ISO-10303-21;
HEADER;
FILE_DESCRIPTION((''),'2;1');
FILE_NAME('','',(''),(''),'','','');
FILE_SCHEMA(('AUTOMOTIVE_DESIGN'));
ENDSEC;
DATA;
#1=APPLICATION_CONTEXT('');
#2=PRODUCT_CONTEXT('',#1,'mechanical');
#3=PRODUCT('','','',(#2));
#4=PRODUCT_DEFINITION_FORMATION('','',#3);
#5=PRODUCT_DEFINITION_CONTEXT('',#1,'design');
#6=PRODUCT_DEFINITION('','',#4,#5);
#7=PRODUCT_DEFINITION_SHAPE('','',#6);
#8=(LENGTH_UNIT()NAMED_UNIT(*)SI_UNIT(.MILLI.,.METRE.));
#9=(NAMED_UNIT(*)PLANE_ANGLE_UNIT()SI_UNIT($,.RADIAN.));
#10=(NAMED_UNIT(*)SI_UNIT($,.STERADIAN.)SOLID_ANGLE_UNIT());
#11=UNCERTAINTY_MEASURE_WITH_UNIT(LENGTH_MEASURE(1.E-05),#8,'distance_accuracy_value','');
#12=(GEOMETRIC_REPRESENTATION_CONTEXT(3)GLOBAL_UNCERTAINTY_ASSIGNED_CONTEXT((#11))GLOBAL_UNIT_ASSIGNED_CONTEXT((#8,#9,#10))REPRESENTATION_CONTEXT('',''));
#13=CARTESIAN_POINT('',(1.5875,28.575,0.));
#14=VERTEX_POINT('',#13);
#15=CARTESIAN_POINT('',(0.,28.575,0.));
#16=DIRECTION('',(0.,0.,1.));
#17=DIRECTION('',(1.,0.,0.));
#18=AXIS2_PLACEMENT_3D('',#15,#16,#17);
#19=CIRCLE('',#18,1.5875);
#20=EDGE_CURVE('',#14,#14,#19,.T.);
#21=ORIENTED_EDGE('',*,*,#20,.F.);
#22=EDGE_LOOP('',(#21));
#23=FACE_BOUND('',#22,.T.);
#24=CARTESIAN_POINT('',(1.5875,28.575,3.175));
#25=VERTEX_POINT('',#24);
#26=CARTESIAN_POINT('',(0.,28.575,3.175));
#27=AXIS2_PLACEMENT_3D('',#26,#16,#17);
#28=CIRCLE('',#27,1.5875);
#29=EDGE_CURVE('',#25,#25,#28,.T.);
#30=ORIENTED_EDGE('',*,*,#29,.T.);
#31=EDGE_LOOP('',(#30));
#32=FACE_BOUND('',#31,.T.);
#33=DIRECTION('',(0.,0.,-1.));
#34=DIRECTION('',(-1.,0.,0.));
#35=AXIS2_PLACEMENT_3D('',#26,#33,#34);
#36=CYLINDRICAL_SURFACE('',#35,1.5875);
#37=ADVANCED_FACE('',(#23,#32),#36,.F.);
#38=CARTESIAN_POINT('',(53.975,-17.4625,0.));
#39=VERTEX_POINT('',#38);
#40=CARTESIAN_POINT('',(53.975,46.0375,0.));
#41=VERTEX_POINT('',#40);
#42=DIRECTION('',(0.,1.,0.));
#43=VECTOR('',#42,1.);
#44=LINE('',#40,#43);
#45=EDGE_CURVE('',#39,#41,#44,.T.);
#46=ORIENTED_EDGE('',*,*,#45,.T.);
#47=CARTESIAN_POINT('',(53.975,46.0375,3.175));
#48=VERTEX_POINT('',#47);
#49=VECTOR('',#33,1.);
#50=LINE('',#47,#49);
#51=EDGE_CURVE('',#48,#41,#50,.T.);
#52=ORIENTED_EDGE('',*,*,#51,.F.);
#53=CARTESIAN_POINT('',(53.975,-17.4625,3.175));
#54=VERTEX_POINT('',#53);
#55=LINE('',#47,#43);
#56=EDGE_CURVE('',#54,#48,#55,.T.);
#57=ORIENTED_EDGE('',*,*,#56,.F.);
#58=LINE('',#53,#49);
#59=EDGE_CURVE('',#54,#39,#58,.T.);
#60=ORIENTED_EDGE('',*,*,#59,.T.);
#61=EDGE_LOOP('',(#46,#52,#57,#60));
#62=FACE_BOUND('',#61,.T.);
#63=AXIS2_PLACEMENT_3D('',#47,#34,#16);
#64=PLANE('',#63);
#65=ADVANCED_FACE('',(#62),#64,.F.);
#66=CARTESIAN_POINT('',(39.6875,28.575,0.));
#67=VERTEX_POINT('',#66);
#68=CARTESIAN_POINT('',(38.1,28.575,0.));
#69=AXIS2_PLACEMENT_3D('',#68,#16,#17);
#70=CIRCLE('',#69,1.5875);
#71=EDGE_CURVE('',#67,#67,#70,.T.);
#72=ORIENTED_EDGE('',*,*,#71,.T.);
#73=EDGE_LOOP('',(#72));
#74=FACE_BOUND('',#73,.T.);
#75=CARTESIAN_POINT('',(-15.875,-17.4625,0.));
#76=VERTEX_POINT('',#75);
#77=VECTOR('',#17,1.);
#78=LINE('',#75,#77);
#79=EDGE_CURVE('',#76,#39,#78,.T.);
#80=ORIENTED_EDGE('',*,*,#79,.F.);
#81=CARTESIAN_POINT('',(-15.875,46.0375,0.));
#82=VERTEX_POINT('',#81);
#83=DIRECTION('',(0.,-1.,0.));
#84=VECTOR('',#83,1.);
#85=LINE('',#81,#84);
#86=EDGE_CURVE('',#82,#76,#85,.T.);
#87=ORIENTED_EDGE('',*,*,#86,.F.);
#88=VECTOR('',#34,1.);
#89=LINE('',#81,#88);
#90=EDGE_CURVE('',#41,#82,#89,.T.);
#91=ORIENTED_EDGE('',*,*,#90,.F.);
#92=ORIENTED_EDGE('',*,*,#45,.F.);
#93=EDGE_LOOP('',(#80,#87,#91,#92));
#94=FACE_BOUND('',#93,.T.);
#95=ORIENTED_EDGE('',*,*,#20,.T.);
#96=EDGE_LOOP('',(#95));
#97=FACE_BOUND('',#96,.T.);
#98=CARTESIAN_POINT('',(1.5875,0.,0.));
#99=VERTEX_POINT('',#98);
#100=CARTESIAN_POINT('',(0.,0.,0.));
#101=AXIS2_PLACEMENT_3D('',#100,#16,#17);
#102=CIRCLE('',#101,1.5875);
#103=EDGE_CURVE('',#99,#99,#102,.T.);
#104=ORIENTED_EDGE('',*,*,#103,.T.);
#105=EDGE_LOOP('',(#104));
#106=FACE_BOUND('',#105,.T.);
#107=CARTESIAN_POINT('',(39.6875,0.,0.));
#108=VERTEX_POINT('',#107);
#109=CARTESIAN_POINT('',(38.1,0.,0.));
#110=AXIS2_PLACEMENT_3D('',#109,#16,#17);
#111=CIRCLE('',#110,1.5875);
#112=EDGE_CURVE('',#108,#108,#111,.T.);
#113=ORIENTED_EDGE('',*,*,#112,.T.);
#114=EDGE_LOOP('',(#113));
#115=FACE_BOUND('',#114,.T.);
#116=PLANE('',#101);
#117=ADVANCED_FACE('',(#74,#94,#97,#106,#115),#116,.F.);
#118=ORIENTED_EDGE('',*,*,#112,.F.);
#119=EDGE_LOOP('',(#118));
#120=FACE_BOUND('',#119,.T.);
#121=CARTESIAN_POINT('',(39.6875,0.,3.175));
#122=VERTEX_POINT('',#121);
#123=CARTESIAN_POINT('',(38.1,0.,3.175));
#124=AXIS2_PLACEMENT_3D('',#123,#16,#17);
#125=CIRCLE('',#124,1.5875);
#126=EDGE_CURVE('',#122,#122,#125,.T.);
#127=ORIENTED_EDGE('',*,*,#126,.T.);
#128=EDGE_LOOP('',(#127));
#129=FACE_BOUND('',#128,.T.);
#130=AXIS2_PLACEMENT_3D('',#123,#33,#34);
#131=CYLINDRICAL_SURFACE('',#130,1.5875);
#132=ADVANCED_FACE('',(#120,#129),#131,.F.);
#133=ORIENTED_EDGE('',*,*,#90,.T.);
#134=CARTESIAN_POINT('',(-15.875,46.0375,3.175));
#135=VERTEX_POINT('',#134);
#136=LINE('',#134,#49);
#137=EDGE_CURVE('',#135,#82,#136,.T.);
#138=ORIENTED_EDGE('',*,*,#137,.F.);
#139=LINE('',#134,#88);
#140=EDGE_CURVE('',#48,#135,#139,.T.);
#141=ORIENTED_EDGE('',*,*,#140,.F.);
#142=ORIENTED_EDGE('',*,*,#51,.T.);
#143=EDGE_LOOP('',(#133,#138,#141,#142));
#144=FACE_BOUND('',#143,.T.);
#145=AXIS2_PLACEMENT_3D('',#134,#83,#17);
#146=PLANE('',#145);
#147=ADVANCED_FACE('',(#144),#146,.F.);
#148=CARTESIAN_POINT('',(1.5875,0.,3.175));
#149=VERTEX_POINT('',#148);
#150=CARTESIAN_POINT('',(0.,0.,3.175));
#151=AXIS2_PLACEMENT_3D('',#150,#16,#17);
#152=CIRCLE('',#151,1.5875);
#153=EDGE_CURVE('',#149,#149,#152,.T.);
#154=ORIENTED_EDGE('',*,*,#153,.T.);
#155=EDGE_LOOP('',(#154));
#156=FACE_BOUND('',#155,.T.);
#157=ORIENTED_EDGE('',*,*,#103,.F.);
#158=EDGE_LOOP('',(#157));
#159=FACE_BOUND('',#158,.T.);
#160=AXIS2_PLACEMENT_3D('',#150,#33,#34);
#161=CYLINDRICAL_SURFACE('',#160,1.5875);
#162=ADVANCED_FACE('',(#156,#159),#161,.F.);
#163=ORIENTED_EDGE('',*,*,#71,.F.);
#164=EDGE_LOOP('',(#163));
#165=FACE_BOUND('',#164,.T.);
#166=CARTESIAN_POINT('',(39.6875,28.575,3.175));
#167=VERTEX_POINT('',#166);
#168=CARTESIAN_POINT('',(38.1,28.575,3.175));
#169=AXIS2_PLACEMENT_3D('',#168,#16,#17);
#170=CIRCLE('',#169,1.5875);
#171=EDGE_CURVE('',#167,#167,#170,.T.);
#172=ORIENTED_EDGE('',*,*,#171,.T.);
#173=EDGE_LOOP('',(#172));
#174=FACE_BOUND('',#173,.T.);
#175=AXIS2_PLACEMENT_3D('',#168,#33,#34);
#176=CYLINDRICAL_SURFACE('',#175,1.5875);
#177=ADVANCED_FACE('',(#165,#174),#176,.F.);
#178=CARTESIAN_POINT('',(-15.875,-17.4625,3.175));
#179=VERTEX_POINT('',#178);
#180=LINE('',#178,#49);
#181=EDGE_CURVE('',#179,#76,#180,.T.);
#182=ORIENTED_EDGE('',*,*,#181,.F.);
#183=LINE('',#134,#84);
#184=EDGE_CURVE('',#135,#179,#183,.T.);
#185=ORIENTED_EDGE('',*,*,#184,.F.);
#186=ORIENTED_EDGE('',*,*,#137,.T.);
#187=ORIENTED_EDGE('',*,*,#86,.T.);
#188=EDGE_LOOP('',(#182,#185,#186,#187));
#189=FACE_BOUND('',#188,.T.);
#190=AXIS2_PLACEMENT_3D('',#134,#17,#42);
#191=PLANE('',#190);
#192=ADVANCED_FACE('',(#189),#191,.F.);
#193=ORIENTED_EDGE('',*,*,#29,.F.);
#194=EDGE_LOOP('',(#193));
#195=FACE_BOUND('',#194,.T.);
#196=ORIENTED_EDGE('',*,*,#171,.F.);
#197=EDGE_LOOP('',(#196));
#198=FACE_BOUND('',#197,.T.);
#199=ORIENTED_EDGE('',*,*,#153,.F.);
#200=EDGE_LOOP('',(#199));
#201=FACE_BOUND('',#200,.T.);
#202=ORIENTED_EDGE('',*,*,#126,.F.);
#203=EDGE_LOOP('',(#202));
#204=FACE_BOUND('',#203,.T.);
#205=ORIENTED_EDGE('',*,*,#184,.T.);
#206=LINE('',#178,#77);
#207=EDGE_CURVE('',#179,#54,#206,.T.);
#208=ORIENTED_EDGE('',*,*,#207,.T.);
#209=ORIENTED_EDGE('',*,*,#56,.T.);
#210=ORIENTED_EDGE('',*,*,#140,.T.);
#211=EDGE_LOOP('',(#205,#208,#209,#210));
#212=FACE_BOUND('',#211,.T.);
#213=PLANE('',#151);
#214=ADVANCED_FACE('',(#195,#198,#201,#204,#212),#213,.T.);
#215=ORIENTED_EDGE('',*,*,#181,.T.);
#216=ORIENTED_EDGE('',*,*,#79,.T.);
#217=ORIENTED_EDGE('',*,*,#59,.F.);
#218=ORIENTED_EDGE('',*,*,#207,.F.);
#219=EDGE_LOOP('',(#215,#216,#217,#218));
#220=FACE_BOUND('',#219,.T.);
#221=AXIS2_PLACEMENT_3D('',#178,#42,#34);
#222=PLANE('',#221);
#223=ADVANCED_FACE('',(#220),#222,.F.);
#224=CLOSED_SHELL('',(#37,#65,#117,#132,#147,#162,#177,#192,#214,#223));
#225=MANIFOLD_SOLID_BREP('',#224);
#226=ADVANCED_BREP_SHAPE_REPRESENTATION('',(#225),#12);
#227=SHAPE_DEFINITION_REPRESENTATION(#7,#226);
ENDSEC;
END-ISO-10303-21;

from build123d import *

# Parameters (mm, degrees)
SKETCH1_W           = 69.85
SKETCH1_H           = 63.5
SKETCH1_R           = 1.5875
BOSS_EXTRUDE1_DEPTH = 3.175


with BuildPart() as part:
    # Sketch1 → Boss-Extrude1 (new body)
    with BuildSketch(Plane.XY):
        with Locations((19.05, 14.2875)):
            Rectangle(SKETCH1_W, SKETCH1_H)
        with Locations((0, 28.575)):
            Circle(SKETCH1_R, mode=Mode.SUBTRACT)
        with Locations((38.1, 28.575)):
            Circle(SKETCH1_R, mode=Mode.SUBTRACT)
        with Locations((38.1, 0)):
            Circle(SKETCH1_R, mode=Mode.SUBTRACT)
        Circle(SKETCH1_R, mode=Mode.SUBTRACT)
    extrude(amount=BOSS_EXTRUDE1_DEPTH)


solid = part.part
